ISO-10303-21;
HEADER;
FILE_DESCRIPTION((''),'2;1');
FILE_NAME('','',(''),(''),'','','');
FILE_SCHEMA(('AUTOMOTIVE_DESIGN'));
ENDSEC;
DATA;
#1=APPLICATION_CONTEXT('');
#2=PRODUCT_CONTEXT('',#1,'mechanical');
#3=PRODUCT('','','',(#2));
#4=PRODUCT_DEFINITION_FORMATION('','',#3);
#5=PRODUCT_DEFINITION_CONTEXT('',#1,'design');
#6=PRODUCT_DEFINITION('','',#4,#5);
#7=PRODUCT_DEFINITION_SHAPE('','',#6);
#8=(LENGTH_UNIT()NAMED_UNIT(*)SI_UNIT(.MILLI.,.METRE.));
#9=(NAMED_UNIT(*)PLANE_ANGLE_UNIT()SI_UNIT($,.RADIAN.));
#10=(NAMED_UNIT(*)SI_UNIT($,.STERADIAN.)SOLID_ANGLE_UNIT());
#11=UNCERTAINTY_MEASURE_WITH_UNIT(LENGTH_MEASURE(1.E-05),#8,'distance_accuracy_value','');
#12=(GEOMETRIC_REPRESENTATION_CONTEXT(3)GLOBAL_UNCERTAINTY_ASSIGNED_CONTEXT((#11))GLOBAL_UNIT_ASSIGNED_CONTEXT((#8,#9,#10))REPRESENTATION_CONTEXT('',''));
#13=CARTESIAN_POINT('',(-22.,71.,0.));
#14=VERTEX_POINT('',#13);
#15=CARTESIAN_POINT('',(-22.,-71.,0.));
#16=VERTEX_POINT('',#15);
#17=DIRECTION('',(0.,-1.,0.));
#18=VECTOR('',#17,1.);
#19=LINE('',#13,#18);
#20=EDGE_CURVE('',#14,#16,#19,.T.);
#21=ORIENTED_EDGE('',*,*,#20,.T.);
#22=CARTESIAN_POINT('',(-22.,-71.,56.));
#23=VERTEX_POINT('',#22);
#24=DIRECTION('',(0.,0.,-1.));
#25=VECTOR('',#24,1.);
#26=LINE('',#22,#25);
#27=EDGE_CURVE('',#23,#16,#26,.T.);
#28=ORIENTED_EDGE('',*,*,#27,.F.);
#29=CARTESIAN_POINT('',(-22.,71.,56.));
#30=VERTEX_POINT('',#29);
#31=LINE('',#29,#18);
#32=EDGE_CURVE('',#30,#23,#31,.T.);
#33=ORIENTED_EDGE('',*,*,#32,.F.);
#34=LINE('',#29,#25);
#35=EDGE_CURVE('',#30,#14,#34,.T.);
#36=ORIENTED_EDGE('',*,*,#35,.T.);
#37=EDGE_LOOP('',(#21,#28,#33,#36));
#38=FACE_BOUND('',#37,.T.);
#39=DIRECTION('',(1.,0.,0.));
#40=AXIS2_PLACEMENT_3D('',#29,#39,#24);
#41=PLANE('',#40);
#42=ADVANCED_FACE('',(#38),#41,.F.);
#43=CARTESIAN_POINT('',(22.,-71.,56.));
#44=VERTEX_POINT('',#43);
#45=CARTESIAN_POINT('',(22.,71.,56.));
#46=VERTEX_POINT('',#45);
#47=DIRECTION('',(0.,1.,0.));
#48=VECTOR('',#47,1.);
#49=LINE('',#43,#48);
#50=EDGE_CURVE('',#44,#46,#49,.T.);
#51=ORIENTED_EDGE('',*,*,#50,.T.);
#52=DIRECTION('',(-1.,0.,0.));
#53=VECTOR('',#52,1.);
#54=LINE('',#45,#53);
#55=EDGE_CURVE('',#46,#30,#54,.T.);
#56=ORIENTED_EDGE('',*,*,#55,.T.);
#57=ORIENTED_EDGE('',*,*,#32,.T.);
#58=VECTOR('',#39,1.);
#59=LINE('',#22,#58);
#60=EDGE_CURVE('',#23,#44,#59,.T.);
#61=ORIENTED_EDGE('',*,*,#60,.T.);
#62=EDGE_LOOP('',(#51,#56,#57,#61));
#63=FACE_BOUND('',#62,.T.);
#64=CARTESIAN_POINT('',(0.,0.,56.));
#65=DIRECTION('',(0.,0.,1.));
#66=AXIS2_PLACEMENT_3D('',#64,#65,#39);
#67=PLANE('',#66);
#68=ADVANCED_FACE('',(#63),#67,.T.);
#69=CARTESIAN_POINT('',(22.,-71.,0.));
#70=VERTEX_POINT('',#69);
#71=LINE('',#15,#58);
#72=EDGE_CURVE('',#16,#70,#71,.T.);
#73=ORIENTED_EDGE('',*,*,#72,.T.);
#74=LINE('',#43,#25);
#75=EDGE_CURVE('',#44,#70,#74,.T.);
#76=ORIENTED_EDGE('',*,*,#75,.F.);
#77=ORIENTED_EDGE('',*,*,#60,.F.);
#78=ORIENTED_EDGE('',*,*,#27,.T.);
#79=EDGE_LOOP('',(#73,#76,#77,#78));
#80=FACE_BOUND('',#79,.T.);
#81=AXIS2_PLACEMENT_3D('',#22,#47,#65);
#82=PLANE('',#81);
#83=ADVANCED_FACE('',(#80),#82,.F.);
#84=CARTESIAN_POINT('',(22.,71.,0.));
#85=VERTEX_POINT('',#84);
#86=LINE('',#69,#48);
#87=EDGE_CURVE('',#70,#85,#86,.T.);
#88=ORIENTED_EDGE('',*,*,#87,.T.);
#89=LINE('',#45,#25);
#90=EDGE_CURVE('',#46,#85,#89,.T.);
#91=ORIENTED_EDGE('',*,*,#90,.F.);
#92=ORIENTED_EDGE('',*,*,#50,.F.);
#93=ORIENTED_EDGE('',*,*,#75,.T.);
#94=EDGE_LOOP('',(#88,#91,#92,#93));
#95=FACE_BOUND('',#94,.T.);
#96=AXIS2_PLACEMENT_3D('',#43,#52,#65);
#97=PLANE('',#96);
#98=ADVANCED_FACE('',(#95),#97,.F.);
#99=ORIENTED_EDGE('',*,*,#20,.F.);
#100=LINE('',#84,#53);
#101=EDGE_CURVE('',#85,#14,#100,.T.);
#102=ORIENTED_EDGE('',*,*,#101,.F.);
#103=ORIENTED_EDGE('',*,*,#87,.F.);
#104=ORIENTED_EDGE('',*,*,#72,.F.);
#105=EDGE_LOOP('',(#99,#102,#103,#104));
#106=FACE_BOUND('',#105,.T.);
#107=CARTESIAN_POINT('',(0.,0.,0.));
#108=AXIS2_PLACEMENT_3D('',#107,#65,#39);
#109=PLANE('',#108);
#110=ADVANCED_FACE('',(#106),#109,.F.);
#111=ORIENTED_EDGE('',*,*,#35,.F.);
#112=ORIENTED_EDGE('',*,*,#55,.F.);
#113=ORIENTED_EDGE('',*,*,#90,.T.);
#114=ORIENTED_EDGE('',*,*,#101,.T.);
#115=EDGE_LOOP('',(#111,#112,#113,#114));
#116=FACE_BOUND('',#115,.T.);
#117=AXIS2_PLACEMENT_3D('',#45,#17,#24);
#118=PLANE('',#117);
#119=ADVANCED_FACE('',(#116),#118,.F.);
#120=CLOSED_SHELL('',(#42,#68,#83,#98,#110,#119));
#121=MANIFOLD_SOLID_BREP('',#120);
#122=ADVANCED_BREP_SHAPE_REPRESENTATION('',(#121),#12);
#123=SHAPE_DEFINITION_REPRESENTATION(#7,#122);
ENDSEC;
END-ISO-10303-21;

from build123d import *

# Parameters (mm, degrees)
SKETCH_1_W        = 44
SKETCH_1_H        = 142
EXTRUDE_210_DEPTH = 56


with BuildPart() as part:
    # 草图1 → Extrude 210 (new body)
    with BuildSketch(Plane.XY):
        Rectangle(SKETCH_1_W, SKETCH_1_H)
    extrude(amount=EXTRUDE_210_DEPTH)


solid = part.part
